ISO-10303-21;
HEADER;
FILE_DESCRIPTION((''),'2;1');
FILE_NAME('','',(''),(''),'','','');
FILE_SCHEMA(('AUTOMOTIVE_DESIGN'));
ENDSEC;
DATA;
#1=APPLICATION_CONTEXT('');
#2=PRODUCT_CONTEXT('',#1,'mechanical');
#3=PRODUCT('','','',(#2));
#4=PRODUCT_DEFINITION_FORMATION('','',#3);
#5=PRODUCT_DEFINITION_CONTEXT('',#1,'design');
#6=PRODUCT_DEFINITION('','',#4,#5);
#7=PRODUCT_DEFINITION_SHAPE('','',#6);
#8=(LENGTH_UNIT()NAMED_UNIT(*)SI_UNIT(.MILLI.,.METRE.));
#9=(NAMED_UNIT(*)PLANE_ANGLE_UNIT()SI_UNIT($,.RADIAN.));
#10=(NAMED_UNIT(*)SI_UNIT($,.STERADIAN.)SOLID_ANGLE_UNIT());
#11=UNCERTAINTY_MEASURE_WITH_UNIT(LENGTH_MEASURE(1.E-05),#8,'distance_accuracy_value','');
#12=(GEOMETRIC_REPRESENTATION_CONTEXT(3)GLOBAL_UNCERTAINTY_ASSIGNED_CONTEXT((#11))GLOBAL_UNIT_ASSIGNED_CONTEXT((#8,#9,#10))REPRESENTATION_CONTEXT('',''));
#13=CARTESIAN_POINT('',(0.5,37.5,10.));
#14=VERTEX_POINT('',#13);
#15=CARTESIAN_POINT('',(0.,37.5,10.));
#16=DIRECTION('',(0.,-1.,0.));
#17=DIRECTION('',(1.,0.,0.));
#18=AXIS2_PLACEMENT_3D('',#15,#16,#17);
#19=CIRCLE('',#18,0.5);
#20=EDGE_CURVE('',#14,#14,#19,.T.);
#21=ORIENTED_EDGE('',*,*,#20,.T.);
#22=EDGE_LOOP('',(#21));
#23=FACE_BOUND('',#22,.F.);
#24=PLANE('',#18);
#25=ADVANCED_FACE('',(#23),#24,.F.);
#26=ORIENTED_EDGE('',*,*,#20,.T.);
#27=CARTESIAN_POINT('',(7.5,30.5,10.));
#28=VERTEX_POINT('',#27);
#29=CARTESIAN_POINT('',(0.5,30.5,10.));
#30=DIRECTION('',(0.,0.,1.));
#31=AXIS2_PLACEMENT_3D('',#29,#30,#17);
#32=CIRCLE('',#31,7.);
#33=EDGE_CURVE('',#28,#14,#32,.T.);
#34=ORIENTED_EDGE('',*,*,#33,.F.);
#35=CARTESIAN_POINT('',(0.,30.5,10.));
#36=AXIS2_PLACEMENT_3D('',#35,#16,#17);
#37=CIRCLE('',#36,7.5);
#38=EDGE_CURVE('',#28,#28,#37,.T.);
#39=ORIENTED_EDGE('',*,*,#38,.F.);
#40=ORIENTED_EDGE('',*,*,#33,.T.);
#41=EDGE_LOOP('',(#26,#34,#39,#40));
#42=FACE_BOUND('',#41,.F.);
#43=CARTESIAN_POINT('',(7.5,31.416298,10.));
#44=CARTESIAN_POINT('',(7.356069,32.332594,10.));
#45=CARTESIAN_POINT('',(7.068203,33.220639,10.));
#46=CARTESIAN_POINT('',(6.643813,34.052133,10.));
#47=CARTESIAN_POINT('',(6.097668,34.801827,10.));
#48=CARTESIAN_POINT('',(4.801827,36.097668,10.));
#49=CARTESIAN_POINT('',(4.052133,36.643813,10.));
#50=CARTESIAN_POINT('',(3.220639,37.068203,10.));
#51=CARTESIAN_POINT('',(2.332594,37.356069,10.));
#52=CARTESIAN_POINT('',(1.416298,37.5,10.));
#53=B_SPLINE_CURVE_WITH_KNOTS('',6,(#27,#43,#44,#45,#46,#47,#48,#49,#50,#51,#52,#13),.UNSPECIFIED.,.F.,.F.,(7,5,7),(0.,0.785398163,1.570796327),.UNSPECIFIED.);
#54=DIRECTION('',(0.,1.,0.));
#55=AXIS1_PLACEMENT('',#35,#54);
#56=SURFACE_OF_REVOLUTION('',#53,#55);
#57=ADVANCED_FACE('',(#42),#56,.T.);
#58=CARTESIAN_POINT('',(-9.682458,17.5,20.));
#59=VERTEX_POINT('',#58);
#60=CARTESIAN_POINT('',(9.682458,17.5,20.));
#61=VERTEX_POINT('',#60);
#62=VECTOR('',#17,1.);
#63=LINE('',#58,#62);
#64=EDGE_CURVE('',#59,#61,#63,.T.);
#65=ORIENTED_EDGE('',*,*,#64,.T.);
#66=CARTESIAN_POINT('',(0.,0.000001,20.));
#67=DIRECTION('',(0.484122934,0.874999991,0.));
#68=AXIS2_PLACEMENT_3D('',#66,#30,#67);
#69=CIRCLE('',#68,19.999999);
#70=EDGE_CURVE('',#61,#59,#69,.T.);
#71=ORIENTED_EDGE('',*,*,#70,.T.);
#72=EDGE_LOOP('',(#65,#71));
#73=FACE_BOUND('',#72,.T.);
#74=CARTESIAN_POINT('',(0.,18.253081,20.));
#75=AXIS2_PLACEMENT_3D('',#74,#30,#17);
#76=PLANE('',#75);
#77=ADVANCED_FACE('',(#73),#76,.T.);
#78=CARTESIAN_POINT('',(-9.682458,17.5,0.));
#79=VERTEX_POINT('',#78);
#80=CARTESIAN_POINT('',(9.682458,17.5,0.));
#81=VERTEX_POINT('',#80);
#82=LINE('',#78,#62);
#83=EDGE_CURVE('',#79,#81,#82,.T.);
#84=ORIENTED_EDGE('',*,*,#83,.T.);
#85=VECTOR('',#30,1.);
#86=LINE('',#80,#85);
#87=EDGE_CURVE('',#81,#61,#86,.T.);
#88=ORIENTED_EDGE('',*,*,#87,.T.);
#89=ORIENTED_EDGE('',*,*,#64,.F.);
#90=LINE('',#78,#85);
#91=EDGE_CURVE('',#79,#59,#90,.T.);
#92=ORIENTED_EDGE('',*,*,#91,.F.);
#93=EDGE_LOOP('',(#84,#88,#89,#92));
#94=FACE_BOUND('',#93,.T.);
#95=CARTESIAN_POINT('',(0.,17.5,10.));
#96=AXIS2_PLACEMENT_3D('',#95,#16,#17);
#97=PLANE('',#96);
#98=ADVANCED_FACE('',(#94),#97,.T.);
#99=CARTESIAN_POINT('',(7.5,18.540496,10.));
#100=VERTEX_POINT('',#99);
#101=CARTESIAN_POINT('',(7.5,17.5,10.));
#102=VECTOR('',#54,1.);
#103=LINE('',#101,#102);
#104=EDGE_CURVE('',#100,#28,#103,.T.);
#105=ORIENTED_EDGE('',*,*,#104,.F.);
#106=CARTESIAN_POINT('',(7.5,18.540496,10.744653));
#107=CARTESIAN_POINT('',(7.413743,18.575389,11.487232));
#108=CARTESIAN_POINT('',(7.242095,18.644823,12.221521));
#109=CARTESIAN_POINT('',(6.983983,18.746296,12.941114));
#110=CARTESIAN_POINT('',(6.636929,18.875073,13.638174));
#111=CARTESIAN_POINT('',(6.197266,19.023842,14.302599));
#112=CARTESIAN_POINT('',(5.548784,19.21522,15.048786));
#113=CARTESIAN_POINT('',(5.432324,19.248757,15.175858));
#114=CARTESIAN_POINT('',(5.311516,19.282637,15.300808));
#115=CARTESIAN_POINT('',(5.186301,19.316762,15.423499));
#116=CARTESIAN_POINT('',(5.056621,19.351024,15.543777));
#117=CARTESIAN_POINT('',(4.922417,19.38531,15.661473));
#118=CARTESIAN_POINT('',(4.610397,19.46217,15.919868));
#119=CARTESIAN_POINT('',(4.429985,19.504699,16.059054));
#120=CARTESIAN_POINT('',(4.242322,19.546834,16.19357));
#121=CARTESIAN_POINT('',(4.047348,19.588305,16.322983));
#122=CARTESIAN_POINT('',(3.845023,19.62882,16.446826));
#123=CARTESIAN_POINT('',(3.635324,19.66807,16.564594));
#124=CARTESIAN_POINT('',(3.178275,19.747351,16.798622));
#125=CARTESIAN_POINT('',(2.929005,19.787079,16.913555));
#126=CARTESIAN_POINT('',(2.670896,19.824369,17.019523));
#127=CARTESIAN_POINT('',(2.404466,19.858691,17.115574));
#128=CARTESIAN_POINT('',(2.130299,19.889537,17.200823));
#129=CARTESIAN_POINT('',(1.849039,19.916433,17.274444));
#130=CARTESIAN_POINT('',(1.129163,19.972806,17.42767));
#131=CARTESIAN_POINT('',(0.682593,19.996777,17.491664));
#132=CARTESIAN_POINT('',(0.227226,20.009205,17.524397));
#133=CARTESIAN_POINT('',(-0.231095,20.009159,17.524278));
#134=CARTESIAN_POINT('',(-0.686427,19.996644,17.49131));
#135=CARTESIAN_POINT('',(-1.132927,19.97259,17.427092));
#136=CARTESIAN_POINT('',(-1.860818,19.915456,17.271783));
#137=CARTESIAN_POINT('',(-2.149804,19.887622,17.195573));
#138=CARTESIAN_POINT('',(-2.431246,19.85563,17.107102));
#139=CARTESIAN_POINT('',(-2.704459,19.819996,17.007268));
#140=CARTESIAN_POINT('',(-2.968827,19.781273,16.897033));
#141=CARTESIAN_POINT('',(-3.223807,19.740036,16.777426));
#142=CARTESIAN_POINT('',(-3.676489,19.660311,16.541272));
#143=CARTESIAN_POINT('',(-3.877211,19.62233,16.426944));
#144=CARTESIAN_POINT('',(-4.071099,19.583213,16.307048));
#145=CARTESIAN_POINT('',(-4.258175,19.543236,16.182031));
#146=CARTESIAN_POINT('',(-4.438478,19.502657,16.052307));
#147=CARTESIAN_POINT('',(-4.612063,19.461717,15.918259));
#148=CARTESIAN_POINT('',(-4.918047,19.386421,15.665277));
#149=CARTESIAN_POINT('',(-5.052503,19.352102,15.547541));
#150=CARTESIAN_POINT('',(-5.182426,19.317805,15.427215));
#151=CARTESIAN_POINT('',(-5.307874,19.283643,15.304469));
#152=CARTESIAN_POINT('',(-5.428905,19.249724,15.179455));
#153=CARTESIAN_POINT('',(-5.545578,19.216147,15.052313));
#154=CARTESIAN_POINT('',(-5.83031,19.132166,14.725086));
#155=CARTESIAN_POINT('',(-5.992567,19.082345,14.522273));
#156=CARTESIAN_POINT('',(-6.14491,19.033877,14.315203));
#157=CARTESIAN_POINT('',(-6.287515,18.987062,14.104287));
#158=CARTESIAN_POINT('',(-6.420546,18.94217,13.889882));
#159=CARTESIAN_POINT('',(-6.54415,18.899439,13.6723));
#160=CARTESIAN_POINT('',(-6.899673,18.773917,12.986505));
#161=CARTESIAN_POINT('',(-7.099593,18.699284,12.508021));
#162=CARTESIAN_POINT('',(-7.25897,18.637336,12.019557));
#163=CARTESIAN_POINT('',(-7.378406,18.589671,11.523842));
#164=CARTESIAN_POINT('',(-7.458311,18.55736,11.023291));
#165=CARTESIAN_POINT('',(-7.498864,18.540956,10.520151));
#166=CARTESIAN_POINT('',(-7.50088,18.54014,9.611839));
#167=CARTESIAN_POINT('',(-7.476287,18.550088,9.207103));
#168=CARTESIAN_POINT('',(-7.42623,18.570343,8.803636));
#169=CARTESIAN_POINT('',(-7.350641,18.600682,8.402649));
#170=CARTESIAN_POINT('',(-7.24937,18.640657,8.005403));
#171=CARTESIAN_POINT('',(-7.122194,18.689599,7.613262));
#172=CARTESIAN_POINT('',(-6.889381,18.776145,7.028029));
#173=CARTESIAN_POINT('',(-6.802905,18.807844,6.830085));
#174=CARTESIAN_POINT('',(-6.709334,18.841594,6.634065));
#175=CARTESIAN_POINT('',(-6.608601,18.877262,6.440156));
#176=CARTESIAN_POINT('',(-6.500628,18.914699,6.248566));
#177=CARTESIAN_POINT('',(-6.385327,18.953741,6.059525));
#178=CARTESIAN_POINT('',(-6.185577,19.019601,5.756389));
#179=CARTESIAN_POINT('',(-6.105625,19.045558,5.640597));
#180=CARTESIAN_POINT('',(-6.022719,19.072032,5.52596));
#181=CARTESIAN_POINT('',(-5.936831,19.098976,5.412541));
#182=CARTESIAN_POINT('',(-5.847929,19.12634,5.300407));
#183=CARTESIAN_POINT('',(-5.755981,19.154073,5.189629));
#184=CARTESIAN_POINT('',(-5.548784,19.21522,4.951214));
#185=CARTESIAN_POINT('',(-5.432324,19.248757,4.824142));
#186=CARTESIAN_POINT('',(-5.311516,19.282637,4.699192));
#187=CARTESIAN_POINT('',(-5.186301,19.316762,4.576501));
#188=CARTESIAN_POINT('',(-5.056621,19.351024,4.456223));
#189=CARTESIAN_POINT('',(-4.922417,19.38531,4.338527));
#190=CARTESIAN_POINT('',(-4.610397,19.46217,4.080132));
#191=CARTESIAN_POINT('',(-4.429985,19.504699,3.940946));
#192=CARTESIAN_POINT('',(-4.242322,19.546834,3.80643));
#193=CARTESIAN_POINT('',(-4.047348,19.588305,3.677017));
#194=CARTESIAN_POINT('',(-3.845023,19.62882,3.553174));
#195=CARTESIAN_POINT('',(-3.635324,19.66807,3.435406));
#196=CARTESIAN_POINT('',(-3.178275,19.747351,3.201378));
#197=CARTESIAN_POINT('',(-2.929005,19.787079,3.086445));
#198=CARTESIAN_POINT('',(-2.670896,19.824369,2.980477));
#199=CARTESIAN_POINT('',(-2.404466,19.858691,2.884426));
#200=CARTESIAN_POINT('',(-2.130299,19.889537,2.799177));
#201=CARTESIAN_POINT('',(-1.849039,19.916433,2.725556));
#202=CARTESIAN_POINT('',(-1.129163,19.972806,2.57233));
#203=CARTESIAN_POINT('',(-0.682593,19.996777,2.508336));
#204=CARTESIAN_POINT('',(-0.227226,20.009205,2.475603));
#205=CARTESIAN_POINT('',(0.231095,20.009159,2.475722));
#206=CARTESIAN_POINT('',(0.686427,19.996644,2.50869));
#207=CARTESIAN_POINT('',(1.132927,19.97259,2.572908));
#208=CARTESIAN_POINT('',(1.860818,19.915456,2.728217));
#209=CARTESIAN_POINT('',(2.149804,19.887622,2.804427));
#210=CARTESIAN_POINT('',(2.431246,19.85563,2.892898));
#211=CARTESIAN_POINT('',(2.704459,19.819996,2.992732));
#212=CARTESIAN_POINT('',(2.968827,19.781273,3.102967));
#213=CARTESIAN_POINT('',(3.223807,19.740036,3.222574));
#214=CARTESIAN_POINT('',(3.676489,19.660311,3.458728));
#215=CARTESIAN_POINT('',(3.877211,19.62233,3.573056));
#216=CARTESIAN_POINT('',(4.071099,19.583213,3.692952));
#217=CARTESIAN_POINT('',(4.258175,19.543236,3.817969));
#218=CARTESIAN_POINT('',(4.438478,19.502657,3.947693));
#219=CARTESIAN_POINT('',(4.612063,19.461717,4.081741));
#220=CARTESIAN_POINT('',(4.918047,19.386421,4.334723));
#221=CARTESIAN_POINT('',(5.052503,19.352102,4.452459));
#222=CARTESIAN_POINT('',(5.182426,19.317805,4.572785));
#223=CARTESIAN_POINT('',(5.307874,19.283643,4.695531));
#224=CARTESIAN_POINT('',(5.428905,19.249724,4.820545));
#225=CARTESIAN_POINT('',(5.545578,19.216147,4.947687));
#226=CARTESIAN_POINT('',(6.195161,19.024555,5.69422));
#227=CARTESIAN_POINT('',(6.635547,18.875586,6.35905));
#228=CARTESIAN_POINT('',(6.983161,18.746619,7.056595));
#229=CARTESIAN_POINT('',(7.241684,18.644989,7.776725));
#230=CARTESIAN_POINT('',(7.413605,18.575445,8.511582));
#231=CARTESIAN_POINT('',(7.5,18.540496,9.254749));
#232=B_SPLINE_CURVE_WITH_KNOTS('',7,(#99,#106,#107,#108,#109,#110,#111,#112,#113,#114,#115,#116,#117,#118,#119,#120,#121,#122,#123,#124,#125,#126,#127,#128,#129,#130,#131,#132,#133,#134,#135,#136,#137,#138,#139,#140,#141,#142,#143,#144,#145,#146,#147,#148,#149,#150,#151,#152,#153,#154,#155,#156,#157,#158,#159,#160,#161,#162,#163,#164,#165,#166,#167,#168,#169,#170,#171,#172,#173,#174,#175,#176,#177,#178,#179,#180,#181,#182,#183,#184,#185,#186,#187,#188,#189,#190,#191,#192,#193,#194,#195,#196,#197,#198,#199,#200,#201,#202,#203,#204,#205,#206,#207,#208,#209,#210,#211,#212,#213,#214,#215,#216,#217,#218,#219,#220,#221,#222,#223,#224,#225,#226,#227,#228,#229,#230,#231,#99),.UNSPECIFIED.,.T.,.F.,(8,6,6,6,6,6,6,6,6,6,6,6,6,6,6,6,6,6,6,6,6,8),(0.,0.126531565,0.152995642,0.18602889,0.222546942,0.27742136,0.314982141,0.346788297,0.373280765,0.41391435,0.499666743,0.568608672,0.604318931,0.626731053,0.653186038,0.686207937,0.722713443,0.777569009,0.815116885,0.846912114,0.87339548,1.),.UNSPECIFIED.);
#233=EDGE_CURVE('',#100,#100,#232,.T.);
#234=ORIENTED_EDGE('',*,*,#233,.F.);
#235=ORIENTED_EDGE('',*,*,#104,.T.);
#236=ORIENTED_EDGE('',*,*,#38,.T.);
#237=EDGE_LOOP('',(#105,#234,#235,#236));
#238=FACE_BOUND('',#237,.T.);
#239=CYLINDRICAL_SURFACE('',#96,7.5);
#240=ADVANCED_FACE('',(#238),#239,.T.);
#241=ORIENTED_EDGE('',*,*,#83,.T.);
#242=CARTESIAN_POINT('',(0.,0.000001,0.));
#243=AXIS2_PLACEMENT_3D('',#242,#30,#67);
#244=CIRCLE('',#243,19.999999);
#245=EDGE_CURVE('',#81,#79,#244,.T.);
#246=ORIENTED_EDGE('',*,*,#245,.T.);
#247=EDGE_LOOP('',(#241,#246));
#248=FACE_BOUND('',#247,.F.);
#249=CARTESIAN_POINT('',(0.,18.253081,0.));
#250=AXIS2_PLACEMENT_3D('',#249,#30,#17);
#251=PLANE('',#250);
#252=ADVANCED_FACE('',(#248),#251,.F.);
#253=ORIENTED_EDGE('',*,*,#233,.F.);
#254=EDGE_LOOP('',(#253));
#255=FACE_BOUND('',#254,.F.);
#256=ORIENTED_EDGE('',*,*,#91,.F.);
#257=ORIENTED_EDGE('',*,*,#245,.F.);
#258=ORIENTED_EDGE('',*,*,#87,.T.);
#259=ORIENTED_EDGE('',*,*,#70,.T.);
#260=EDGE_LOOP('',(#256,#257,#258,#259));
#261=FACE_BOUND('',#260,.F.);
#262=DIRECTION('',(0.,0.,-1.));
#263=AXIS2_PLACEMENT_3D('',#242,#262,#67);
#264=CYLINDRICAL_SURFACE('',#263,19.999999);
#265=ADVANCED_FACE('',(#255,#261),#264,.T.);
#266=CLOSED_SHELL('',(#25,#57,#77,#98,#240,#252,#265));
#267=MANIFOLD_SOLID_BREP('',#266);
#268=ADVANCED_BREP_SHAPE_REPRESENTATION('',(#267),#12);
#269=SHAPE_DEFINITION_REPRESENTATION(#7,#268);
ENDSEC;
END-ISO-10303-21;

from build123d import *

# Parameters (mm, degrees)
F1_DEPTH = 20
F2_R     = 7.5
F3_DEPTH = 20
F4_R     = 7


with BuildPart() as f1:
    # F0 (on Top) → F1 (new body)
    with BuildSketch(Plane.XY):
        with BuildLine():
            ThreePointArc((9.682458, 17.5), (0, 20), (-9.682458, 17.5))
            Line((-9.682458, 17.5), (9.682458, 17.5))
        make_face()
    extrude(amount=F1_DEPTH)

    # F2 (on face) → F3 (join)
    with BuildSketch(Plane.XZ.offset(-17.5)):
        with Locations((0, 10)):
            Circle(F2_R)
    extrude(amount=-F3_DEPTH)

    # F4
    f4_edges = [f1.edges().sort_by_distance(p)[0] for p in [
        (-7.5, 37.5, 10),
    ]]
    fillet(f4_edges, radius=F4_R)


solid = f1.part
